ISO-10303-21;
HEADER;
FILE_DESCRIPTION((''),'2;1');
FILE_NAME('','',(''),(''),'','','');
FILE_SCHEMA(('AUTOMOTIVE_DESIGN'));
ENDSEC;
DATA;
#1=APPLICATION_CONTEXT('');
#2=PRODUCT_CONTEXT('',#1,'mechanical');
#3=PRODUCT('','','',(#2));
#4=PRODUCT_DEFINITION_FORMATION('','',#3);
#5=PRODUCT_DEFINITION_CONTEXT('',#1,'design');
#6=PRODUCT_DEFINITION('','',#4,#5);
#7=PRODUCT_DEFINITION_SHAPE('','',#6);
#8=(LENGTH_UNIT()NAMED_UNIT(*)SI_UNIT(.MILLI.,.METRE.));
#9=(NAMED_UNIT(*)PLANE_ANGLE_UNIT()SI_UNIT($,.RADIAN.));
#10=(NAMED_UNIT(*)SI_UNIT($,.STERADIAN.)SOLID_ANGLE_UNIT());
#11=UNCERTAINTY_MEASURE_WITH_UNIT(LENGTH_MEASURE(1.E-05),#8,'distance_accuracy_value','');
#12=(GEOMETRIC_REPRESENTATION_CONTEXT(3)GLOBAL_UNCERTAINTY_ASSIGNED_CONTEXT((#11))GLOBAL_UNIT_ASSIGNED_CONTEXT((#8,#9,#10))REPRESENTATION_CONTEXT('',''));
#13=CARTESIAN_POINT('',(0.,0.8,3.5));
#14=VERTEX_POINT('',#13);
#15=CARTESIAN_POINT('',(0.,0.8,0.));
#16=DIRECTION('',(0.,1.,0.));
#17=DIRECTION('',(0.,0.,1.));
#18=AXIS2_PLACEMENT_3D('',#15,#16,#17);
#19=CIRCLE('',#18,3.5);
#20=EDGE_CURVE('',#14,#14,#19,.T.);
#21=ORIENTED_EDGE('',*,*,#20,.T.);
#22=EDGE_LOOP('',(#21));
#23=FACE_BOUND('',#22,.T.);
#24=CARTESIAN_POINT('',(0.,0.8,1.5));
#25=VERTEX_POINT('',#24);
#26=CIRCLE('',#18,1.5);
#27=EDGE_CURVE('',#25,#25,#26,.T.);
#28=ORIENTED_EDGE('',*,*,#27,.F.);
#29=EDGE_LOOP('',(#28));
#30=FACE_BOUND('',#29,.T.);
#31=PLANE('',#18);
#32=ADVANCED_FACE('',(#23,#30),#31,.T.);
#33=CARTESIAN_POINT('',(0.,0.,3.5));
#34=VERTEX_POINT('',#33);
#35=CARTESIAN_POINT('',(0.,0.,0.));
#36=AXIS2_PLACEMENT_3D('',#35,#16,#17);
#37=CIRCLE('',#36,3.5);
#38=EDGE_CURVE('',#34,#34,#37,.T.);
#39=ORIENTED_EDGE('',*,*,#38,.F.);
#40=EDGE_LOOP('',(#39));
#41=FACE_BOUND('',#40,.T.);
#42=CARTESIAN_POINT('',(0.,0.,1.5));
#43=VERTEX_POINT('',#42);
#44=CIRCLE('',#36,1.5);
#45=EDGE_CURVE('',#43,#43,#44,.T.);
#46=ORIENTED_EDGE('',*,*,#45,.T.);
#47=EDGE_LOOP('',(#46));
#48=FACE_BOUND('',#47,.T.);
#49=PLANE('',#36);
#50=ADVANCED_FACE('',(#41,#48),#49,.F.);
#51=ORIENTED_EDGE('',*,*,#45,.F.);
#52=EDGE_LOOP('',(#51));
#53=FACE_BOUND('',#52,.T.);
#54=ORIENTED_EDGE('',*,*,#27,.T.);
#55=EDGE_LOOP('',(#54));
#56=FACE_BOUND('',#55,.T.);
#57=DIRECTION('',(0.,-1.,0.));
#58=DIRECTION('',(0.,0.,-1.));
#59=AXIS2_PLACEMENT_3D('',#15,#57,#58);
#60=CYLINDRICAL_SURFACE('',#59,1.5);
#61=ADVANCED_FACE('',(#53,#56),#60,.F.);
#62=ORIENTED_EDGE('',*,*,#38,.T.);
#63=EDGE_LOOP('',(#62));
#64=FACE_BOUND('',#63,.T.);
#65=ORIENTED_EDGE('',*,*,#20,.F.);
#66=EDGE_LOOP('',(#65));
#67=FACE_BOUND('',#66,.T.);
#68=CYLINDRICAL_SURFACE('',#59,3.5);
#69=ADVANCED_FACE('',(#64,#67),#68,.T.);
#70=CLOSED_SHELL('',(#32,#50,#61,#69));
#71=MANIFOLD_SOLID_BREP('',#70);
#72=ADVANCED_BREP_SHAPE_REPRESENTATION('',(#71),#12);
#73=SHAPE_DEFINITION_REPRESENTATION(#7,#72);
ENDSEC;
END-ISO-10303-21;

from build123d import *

# Parameters (mm, degrees)
SKETCH_1_R      = 3.5
SKETCH_1_R_2    = 1.5
EXTRUDE_1_DEPTH = 0.8


with BuildPart() as part:
    # 草图1 → 凸台-拉伸1 (new body)
    with BuildSketch(Plane(origin=(0, 0, 0), x_dir=(1, 0, 0), z_dir=(0, 1, 0))):
        Circle(SKETCH_1_R)
        Circle(SKETCH_1_R_2, mode=Mode.SUBTRACT)
    extrude(amount=EXTRUDE_1_DEPTH)


solid = part.part
